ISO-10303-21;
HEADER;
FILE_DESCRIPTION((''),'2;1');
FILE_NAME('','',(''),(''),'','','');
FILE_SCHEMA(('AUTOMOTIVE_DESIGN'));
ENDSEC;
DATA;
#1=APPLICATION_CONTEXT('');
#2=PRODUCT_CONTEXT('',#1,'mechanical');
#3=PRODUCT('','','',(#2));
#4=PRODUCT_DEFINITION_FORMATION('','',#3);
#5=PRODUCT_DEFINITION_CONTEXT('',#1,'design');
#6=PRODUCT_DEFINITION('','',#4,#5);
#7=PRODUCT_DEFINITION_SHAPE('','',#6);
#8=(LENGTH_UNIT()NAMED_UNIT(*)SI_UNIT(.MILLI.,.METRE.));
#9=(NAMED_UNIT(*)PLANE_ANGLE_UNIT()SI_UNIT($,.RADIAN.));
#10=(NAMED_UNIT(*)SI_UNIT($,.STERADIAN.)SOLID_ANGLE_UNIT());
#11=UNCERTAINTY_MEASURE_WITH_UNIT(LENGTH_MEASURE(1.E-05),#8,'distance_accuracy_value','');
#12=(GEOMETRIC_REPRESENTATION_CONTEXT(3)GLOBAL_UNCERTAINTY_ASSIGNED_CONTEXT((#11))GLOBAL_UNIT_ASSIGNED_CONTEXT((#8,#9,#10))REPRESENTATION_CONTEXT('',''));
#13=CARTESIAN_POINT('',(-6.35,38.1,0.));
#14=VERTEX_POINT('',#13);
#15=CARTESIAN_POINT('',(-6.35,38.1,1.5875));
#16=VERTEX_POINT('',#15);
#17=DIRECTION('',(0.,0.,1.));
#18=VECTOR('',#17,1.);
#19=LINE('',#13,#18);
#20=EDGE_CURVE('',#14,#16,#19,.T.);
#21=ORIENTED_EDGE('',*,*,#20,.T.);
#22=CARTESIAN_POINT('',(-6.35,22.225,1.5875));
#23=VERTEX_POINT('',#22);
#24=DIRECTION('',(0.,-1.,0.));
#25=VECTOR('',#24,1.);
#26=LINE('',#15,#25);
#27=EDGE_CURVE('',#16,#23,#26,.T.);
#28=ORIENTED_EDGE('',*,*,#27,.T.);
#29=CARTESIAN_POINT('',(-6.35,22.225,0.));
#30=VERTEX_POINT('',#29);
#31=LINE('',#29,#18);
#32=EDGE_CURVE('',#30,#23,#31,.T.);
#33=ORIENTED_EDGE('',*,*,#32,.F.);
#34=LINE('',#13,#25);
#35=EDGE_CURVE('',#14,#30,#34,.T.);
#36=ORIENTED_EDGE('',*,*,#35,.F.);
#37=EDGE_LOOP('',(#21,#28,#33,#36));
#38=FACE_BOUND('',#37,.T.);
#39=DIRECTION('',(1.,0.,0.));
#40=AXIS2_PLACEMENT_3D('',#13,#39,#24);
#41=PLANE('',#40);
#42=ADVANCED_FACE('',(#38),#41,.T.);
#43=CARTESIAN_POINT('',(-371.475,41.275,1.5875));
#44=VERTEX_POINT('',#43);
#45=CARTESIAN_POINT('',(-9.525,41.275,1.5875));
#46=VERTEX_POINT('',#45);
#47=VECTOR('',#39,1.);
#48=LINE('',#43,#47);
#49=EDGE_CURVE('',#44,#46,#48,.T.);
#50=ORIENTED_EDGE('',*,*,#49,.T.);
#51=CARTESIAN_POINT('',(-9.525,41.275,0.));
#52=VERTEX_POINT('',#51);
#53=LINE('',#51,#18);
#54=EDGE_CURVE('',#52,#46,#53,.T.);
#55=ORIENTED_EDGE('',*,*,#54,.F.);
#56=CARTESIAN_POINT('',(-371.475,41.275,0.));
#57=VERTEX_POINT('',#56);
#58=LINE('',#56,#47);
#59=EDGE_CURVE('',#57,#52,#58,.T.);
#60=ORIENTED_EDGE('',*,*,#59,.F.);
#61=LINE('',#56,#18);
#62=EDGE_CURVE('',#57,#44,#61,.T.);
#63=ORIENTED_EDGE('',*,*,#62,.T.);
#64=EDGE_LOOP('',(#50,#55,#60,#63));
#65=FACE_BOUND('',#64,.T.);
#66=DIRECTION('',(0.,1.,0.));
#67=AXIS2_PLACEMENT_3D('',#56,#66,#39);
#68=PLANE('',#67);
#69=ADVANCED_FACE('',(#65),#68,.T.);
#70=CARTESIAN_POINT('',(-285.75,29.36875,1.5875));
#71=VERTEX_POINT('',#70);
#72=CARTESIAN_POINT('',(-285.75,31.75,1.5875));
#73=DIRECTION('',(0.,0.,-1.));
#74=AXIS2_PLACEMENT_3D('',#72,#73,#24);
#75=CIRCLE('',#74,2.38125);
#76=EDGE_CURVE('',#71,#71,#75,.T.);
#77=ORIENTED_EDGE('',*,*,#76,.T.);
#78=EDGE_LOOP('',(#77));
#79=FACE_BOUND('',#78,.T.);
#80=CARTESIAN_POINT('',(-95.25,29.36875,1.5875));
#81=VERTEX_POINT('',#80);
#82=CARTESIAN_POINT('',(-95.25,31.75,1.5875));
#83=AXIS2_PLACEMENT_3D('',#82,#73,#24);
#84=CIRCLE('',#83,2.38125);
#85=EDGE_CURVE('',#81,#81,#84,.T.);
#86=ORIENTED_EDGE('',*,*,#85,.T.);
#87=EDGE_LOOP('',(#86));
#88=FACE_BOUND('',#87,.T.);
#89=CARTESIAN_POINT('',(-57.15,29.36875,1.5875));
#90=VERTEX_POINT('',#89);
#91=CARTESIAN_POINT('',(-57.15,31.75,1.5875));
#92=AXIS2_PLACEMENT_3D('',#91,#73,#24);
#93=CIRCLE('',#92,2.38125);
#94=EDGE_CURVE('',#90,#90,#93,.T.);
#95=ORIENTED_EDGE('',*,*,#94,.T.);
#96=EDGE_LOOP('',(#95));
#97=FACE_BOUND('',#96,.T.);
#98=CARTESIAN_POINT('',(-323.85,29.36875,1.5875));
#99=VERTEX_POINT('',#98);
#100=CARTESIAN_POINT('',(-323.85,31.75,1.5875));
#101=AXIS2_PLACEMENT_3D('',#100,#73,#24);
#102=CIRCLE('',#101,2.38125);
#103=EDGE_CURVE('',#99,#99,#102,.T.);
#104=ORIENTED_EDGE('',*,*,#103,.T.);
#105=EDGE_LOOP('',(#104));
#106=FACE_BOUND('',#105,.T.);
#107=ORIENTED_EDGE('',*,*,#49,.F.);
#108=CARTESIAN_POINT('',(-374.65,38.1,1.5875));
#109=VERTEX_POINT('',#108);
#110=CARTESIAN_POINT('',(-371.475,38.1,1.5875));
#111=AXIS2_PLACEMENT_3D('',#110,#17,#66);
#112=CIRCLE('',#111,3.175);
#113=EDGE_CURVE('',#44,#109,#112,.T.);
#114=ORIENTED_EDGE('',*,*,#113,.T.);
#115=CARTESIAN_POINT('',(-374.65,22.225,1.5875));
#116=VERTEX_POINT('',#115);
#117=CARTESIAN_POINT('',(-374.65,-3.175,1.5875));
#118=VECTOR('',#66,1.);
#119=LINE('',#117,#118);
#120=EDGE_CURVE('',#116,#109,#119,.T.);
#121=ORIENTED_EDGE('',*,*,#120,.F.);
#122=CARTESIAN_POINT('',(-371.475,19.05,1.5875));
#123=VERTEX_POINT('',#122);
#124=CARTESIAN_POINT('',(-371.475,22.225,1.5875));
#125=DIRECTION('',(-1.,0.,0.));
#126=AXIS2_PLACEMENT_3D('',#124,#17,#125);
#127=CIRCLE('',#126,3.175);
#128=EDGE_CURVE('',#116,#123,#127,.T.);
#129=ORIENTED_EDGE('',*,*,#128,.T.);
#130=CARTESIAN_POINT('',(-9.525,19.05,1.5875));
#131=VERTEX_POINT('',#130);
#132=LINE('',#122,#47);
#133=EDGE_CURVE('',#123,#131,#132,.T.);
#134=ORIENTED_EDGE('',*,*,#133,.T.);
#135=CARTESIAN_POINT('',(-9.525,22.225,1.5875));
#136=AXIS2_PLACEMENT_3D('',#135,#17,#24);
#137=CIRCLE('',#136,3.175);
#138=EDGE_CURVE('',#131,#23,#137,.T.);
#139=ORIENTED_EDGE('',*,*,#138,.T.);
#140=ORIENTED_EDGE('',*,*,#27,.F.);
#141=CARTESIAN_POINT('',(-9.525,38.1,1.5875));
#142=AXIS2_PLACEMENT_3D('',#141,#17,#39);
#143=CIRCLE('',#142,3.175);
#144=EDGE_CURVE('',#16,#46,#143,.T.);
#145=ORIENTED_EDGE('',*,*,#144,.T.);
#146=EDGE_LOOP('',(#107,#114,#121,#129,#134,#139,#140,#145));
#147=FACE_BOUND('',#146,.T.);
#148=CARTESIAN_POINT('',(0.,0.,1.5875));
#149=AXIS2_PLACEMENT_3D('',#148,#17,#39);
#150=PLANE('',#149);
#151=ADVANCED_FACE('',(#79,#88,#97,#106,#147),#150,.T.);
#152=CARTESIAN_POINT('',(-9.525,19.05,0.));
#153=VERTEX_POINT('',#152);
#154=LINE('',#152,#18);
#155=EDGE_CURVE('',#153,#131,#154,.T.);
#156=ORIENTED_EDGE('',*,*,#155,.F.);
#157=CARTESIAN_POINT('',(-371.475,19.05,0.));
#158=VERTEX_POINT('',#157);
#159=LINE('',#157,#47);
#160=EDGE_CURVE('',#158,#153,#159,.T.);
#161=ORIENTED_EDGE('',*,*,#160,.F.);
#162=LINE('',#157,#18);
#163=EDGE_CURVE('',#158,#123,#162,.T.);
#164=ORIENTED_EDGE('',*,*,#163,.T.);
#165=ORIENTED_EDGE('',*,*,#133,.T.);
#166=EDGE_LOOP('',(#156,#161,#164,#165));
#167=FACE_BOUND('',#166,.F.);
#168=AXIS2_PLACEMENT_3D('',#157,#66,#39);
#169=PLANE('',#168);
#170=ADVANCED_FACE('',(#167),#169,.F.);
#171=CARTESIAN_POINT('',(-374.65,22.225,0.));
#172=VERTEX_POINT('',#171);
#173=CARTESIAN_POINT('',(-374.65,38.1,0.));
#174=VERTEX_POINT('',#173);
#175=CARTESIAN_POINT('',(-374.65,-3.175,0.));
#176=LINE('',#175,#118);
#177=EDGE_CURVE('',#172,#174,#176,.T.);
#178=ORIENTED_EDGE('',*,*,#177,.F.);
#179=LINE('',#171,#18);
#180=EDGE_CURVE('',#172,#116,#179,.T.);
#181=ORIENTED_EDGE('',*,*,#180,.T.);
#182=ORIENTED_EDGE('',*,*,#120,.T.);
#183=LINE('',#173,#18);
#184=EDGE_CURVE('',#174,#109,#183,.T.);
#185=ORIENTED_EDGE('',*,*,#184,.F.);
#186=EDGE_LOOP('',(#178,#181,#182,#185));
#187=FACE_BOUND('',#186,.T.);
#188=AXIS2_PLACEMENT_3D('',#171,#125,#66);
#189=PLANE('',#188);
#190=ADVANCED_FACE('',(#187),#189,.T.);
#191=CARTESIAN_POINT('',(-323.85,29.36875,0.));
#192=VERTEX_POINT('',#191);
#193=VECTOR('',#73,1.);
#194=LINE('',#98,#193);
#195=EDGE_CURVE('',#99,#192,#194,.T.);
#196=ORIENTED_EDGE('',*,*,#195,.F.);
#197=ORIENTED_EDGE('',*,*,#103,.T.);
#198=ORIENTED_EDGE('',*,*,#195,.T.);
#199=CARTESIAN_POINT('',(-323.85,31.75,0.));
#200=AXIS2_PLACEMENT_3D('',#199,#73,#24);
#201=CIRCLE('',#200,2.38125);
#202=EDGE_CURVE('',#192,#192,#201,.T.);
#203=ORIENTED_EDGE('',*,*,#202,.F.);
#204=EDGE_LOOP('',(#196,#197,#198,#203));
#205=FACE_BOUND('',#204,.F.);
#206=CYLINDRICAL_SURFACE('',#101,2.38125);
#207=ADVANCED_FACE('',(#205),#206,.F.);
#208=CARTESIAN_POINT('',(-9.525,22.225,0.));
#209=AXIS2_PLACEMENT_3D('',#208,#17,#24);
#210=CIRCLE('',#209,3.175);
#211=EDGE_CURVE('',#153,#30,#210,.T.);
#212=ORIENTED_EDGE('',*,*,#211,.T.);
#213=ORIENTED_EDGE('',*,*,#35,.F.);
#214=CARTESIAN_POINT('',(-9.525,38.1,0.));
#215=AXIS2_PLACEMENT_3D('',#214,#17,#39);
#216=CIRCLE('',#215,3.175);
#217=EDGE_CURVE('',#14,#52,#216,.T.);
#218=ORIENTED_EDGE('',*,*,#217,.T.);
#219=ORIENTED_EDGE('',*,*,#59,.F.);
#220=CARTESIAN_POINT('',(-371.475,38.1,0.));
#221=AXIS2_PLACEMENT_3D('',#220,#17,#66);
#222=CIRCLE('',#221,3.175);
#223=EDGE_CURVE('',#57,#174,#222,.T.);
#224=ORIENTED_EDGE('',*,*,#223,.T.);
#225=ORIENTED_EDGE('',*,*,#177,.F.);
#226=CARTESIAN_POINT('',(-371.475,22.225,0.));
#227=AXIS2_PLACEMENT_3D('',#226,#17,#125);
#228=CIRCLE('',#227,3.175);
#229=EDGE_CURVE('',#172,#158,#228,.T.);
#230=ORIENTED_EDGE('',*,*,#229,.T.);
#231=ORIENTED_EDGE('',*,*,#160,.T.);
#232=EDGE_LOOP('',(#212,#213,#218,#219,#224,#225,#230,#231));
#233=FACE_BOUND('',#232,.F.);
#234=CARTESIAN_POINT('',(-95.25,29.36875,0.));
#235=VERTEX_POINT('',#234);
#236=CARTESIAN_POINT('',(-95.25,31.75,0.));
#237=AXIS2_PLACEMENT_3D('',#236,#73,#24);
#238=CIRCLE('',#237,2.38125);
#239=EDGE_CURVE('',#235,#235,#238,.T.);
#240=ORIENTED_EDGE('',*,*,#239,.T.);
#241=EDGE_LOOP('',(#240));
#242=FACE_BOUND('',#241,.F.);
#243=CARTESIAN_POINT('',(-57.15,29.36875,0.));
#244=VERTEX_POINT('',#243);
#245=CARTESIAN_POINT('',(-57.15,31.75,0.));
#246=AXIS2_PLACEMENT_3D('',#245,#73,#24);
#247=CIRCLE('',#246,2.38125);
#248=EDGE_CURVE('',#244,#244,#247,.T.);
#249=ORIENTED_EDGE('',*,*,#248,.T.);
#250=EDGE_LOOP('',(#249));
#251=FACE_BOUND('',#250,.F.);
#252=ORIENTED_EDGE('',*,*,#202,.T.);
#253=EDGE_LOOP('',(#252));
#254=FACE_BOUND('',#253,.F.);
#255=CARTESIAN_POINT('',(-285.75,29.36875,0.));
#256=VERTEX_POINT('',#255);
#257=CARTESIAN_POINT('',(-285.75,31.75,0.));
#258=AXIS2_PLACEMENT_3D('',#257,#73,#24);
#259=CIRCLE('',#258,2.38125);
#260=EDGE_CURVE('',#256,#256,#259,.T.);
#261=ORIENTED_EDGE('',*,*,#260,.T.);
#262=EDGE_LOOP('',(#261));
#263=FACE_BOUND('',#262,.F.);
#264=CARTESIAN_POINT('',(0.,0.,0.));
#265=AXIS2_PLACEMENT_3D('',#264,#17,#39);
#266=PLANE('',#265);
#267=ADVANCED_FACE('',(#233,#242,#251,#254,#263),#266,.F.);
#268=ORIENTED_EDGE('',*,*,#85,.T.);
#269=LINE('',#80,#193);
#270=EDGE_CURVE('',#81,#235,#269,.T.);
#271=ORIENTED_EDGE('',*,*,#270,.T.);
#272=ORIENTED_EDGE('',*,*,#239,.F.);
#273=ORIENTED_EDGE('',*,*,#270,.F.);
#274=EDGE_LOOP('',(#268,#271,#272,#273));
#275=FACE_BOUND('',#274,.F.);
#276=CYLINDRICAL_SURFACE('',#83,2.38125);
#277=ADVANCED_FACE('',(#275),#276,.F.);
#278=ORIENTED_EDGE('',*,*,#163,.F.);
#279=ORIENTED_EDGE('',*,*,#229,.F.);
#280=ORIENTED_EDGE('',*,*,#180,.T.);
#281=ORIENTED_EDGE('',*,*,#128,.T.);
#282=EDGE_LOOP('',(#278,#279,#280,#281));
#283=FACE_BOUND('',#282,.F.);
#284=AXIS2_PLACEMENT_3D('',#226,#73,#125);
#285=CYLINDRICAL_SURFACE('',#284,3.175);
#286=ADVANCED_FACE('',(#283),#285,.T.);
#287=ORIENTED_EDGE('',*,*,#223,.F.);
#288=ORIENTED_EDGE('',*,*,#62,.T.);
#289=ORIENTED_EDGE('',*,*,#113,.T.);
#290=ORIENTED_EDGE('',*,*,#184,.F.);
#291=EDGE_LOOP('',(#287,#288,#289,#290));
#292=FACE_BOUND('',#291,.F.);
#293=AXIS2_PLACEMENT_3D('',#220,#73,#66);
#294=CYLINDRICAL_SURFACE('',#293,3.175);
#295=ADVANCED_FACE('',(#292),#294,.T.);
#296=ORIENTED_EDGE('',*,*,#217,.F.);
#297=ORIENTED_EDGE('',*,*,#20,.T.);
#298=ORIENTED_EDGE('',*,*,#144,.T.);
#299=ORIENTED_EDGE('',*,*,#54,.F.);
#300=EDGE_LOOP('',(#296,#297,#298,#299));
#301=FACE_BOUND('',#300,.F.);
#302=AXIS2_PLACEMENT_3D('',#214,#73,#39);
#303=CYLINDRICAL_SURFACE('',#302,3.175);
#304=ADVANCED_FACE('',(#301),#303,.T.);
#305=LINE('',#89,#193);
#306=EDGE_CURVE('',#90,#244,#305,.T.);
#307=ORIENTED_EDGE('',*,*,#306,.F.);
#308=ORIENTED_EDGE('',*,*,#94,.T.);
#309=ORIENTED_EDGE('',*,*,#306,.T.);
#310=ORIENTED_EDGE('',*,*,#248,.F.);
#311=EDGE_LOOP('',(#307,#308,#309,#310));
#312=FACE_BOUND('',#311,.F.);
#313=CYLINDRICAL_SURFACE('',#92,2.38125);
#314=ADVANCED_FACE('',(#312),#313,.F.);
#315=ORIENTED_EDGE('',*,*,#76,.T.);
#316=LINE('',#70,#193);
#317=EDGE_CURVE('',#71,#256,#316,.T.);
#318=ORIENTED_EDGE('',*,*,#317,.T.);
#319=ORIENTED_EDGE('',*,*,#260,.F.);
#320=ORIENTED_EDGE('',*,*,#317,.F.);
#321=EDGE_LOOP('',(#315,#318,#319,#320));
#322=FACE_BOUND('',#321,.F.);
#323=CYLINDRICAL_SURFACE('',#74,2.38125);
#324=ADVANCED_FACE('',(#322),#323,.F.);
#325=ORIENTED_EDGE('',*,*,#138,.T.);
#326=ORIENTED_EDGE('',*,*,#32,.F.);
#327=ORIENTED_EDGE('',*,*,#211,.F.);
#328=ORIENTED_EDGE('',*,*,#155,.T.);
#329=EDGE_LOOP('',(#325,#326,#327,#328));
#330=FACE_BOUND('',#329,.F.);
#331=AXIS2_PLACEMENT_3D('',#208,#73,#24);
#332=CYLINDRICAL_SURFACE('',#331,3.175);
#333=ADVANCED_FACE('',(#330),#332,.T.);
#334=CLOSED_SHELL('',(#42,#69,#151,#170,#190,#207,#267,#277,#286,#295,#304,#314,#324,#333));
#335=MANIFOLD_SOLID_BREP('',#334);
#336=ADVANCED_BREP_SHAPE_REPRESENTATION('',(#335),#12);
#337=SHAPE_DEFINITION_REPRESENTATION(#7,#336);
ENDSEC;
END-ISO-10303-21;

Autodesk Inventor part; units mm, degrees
ref_plane "YZ Plane" through (0, 0, 0) normal (1, 0, 0) x (0, 1, 0)
ref_plane "XZ Plane" through (0, 0, 0) normal (0, 1, 0) x (-1, 0, 0)
ref_plane "XY Plane" through (0, 0, 0) normal (0, 0, 1) x (1, 0, 0)
sketch "Sketch1" plane through (0, 0, 0) normal (0, 0, 1) x (1, 0, 0)
  line L0 (-374.65, -3.175) -> (-374.65, 38.1)
  line L1 (-371.475, 50.8) -> (-9.525, 50.8)
  line L2 (-6.35, 38.1) -> (-6.35, 22.225)
  arc A0 (-371.475, 50.8) -> (-374.65, 47.625) centre (-371.475, 47.625) ccw
  arc A1 (-6.35, 47.625) -> (-9.525, 50.8) centre (-9.525, 47.625) ccw
  line L3 (-374.65, 50.8) -> (-374.65, 41.275)
  line L4 (-371.475, 41.275) -> (-9.525, 41.275)
  arc A2 (-371.475, 41.275) -> (-374.65, 38.1) centre (-371.475, 38.1) ccw
  arc A3 (-6.35, 38.1) -> (-9.525, 41.275) centre (-9.525, 38.1) ccw
  line L5 (-374.65, 41.275) -> (-374.65, 22.225)
  line L6 (-371.475, 19.05) -> (-9.525, 19.05)
  arc A4 (-374.65, 22.225) -> (-371.475, 19.05) centre (-371.475, 22.225) ccw
  arc A5 (-9.525, 19.05) -> (-6.35, 22.225) centre (-9.525, 22.225) ccw
  point P0 (-6.35, 50.8)
  point P1 (-6.35, 41.275)
  point P2 (-374.65, 19.05)
  point P3 (-6.35, 19.05)
  point P4 (-374.65, 22.225)
  dimension "d25" = 9.525
  dimension "d26" = 3.175
  dimension "d27" = 22.225
  dimension "d28" = 3.175
  dimension "d29" = 361.95
extrude "Extrusion1" add sketch "Sketch1" along normal blind 1.5875
sketch "Sketch2" plane through (0, 0, 1.5875) normal (0, 0, 1) x (1, 0, 0)
  line L0 (-381, 50.8) -> (-323.85, 50.8)
  line L1 (-323.85, 50.8) -> (-273.05, 50.8)
  line L2 (-381, 0) -> (-330.2, 0)
  line L3 (-323.85, 50.8) -> (-323.85, 31.75)
  line L4 (0, 50.8) -> (-57.15, 50.8)
  line L5 (-57.15, 50.8) -> (-107.95, 50.8)
  line L6 (0, 0) -> (-50.8, 0)
  line L7 (-57.15, 50.8) -> (-57.15, 31.75)
  line L8 (-273.05, 50.8) -> (-285.75, 50.8)
  line L9 (-3.175, 50.8) -> (-377.825, 50.8) projected
  line L10 (-285.75, 50.8) -> (-285.75, 31.75)
  line L11 (-107.95, 50.8) -> (-95.25, 50.8)
  line L12 (-95.25, 50.8) -> (-95.25, 31.75)
  line L13 (0, 50.8) -> (0, 41.275)
  line L14 (0, -3.175) -> (0, 47.625) projected
  line L15 (-374.65, 38.1) -> (-374.65, 22.225) projected
  line L16 (-381, 41.275) -> (0, 41.275)
  point P0 (-381, 47.625)
  point P1 (-381, -3.175)
  point P2 (-381, 19.05)
  dimension "d4" = 57.15
  dimension "d5" = 50.8
  dimension "d21" = 12.7
  dimension "d22" = 12.7
  dimension "d24" = 9.525
hole "Hole1" at (-323.85, 31.75, 1.5875) at (-57.15, 31.75, 1.5875) at (-285.75, 31.75, 1.5875) at (-95.25, 31.75, 1.5875) direction (0, 0, -1) diameter 4.7625 end through all
properties part number "wedge" material "Polycarbonate, Clear"
